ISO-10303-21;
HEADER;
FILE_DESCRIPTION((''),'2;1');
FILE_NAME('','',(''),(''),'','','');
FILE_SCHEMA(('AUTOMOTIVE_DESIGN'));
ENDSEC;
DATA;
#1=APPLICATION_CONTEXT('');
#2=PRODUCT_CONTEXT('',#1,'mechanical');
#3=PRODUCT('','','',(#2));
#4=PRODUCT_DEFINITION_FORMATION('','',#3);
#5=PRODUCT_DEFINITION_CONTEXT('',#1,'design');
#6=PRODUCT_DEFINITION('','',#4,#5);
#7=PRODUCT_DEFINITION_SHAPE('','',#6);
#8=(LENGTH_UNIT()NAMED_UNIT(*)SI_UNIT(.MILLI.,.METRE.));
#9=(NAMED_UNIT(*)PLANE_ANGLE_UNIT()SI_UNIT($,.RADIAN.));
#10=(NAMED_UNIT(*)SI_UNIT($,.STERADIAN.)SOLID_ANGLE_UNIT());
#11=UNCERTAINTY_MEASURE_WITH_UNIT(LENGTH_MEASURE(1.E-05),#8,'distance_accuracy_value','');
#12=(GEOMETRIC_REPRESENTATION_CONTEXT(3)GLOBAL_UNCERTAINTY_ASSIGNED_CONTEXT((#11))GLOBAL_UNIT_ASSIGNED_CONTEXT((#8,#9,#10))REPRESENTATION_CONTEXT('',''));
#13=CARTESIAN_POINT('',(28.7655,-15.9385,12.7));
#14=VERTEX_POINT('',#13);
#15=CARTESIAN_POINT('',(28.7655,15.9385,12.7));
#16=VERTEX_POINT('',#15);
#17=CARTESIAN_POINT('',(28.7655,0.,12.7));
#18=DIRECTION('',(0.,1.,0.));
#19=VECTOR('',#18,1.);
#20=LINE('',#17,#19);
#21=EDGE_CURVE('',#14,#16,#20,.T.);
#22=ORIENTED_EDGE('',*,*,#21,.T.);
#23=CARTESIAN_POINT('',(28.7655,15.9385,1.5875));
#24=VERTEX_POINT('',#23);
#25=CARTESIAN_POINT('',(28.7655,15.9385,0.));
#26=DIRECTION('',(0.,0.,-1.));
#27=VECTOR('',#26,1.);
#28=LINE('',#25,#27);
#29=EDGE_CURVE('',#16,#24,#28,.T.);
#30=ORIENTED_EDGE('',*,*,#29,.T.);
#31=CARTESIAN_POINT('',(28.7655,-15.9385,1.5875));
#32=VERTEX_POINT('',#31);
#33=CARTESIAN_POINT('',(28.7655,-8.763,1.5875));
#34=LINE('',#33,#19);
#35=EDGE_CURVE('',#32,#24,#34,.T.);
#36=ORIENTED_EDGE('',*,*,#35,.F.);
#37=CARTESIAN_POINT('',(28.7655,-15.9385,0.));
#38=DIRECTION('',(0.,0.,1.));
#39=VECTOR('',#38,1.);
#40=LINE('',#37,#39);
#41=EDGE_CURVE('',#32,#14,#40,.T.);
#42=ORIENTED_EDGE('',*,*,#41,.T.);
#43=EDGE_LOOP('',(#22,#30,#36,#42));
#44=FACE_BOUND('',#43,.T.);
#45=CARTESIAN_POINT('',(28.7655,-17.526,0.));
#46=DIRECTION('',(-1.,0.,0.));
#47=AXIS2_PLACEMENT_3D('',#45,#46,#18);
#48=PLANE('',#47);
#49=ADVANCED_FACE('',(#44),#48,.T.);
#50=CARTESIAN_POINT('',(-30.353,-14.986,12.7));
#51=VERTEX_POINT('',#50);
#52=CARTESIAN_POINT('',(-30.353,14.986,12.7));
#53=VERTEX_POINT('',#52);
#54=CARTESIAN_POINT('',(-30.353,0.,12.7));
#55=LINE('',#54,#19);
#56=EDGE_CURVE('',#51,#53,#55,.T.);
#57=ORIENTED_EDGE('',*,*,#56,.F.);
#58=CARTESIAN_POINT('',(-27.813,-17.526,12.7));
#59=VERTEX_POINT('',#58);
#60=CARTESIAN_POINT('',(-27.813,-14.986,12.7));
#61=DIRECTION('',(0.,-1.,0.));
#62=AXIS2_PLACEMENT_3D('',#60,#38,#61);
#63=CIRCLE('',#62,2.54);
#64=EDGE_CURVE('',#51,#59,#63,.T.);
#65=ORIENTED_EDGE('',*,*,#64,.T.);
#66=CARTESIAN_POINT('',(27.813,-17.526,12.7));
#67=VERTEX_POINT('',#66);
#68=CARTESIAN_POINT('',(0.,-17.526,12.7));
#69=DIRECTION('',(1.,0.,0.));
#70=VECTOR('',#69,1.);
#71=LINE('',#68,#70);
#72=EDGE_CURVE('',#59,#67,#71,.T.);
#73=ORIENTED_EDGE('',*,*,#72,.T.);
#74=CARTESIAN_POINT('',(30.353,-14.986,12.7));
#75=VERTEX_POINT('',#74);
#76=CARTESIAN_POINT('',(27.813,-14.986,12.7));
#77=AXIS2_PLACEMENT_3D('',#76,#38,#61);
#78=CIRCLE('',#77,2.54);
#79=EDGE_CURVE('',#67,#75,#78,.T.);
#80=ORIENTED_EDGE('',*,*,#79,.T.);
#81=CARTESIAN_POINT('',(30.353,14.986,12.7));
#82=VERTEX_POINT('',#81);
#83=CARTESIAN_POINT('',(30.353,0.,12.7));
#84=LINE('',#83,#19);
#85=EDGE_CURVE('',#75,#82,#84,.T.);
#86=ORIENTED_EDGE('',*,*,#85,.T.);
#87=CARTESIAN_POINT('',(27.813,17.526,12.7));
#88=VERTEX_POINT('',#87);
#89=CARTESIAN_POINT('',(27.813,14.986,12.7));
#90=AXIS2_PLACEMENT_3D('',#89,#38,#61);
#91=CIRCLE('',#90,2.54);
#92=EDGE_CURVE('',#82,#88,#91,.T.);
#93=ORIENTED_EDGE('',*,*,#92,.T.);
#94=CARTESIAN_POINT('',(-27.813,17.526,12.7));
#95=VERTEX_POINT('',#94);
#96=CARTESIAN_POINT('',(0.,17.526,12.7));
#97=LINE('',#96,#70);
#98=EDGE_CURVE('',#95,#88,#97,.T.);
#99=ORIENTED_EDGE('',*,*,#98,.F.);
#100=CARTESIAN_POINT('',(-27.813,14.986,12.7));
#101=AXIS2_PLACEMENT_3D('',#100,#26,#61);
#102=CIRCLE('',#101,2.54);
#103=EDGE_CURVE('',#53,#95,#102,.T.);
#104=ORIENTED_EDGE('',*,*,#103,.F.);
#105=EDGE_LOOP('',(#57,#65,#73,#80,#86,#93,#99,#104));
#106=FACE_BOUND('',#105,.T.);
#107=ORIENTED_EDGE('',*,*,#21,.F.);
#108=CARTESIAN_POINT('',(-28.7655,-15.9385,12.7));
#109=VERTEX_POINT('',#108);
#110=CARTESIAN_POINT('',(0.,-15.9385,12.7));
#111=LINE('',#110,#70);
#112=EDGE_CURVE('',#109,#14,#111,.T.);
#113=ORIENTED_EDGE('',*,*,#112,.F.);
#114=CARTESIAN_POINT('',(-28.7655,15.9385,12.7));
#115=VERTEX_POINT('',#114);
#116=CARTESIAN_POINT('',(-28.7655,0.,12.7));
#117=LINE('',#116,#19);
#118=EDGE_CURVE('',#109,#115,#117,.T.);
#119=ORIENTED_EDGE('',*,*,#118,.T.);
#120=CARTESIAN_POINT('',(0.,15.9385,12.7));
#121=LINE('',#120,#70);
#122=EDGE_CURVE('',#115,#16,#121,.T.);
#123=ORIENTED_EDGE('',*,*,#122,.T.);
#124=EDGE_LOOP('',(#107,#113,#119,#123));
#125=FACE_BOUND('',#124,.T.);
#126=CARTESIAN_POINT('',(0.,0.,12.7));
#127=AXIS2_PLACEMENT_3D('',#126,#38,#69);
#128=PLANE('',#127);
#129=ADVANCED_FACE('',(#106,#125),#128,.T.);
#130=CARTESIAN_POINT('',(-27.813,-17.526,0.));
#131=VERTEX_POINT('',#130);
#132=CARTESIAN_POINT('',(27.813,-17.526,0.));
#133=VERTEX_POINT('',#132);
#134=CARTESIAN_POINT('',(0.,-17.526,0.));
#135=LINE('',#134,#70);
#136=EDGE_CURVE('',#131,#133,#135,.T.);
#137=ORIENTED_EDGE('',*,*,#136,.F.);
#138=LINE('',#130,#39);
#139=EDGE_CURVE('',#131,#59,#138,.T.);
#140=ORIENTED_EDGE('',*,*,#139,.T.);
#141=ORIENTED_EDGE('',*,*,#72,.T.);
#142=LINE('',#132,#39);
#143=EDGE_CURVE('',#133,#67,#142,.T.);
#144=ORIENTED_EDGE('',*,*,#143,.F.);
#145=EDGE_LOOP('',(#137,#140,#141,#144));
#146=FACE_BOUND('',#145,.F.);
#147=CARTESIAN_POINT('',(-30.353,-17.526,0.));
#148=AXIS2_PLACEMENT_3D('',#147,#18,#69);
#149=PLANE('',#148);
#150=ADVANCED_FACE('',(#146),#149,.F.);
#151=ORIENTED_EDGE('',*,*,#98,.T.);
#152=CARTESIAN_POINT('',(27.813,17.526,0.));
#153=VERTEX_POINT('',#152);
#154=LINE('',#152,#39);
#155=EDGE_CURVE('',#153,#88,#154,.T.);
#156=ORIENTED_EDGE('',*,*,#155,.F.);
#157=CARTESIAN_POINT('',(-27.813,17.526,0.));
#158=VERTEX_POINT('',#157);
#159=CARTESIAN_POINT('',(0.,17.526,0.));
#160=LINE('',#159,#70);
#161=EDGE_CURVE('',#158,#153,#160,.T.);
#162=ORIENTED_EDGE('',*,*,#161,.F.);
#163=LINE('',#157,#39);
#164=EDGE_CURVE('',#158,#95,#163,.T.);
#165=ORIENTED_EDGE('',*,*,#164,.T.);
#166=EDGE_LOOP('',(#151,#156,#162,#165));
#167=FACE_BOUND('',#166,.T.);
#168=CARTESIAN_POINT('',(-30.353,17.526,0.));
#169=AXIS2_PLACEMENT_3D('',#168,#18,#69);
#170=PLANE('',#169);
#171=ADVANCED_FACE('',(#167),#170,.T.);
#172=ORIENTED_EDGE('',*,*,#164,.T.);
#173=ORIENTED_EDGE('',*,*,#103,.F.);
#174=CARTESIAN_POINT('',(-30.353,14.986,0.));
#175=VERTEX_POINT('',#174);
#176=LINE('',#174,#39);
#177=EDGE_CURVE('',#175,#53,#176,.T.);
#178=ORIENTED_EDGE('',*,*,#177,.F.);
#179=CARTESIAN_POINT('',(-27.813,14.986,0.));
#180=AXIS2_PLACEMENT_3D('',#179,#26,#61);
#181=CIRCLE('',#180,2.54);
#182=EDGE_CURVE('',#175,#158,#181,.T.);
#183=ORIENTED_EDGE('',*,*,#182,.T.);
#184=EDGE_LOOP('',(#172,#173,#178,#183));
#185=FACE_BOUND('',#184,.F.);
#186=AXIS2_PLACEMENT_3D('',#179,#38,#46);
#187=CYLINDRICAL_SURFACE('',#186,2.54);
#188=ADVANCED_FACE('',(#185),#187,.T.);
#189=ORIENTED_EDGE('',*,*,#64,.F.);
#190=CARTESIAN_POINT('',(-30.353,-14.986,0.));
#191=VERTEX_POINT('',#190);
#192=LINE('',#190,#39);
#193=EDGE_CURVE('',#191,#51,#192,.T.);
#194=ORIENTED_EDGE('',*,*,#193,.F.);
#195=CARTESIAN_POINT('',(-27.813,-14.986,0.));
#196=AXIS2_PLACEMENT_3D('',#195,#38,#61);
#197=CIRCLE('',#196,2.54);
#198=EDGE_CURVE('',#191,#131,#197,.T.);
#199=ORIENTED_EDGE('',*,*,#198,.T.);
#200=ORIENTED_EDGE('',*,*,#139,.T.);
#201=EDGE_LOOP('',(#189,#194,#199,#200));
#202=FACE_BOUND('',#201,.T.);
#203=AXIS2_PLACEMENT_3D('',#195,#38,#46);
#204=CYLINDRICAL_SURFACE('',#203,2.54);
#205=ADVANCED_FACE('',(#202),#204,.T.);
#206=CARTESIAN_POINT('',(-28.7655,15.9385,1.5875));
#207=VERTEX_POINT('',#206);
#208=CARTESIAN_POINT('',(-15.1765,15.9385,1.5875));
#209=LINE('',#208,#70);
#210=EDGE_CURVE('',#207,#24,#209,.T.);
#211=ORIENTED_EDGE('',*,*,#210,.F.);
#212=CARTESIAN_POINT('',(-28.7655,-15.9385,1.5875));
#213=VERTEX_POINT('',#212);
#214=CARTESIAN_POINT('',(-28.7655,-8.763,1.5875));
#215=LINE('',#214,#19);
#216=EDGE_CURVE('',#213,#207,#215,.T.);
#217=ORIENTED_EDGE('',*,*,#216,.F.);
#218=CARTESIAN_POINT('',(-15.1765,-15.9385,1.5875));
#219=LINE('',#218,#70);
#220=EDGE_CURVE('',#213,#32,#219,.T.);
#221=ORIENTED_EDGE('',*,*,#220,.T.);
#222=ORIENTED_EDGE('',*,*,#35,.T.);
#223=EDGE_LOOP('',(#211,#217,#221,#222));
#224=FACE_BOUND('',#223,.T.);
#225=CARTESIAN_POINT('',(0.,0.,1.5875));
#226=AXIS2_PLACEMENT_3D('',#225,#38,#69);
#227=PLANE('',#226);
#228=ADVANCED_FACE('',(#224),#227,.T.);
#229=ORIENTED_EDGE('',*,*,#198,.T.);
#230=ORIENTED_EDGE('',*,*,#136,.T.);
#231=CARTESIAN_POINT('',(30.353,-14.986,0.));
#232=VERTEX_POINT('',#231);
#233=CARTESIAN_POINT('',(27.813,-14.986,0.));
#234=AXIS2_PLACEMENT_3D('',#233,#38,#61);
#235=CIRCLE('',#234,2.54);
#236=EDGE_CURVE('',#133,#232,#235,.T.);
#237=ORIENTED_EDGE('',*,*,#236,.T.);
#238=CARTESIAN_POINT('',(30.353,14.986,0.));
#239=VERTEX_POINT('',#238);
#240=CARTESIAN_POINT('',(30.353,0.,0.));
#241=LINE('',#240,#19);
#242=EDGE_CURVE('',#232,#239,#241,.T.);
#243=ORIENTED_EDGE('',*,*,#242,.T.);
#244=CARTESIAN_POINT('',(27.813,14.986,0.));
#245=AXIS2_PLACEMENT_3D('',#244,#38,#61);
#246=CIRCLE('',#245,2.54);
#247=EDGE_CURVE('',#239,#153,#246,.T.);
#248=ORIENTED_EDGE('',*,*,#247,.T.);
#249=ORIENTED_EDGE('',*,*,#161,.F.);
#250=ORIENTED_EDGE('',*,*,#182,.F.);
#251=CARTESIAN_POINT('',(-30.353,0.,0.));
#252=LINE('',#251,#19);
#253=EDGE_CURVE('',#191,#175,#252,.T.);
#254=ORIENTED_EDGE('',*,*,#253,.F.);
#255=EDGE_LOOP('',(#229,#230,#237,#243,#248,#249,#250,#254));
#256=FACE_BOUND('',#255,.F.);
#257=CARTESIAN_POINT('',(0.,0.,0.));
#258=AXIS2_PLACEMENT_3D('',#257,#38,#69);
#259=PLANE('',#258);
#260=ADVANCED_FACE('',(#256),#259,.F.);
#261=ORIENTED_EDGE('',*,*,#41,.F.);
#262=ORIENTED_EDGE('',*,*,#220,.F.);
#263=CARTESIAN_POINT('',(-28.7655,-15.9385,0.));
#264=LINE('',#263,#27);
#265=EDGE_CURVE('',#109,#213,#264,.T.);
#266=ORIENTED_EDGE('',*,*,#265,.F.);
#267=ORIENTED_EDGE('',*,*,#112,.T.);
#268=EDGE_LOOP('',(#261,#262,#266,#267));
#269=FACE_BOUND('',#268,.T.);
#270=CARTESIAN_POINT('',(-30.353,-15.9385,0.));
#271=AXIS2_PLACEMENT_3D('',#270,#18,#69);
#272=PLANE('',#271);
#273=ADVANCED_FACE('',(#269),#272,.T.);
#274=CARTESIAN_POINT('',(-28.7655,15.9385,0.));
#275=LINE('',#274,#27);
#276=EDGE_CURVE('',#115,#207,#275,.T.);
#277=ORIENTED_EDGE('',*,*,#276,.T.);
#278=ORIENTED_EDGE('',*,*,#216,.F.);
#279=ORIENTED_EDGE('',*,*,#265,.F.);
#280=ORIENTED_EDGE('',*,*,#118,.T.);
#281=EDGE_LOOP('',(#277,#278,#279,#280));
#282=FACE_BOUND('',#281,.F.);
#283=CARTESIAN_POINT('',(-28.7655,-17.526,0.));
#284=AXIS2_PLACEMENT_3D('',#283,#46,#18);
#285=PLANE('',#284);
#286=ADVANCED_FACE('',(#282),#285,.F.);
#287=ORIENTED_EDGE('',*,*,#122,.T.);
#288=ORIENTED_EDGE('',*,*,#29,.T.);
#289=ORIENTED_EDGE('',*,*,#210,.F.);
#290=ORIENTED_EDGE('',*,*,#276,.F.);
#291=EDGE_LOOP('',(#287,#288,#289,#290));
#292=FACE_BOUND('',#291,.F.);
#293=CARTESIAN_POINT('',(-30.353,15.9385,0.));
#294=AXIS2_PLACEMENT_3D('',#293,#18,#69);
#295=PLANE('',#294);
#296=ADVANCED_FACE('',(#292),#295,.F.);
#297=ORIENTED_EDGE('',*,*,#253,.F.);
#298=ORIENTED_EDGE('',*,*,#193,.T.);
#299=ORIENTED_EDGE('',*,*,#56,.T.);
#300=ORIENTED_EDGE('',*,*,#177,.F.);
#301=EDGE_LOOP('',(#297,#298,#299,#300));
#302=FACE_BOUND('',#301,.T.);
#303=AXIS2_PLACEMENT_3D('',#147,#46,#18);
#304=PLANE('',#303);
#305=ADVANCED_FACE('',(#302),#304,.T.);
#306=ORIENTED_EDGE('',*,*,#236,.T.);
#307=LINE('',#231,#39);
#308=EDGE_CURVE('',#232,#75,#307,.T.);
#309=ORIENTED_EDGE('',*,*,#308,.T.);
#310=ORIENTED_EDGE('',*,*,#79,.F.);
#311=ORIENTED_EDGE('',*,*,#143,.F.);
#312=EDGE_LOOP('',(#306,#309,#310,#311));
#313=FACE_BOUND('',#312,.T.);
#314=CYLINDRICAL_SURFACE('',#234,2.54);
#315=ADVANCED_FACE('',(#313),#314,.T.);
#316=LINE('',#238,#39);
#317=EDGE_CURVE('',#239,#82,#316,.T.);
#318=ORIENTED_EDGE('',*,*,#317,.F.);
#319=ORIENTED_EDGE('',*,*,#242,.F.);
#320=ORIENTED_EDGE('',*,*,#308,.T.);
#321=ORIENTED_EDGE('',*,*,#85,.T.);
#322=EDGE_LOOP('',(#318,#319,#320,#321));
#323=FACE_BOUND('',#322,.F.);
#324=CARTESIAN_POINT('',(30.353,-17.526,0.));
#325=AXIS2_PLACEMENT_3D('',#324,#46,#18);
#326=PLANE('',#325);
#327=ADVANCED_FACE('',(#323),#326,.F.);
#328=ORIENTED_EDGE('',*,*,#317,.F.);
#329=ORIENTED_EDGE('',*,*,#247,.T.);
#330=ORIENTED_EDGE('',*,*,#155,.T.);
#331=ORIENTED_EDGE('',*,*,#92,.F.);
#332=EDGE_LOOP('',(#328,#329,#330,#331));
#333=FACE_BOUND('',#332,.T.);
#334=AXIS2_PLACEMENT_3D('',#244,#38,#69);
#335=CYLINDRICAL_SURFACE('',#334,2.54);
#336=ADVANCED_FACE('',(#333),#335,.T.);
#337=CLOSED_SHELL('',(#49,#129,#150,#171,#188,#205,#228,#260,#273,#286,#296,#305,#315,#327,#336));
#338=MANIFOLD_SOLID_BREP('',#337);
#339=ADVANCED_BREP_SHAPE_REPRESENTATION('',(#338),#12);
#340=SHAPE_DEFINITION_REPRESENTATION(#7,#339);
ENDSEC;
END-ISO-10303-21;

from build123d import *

# Parameters (mm, degrees)
F0_W     = 60.706
F0_H     = 35.052
F1_DEPTH = 12.7
F2_T     = -1.5875
F3_R     = 2.54


with BuildPart() as f1:
    # F0 (on Top) → F1 (new body)
    with BuildSketch(Plane.XY):
        Rectangle(F0_W, F0_H)
    extrude(amount=F1_DEPTH)

    # F2
    f2_openings = [f1.faces().sort_by_distance(p)[0] for p in [
        (0, 0, 12.7),
    ]]
    offset(amount=F2_T, openings=f2_openings)

    # F3
    f3_edges = [f1.edges().sort_by_distance(p)[0] for p in [
        (-30.353, -17.526, 6.35),
        (-30.353, 17.526, 6.35),
        (30.353, -17.526, 6.35),
        (30.353, 17.526, 6.35),
    ]]
    fillet(f3_edges, radius=F3_R)


solid = f1.part
